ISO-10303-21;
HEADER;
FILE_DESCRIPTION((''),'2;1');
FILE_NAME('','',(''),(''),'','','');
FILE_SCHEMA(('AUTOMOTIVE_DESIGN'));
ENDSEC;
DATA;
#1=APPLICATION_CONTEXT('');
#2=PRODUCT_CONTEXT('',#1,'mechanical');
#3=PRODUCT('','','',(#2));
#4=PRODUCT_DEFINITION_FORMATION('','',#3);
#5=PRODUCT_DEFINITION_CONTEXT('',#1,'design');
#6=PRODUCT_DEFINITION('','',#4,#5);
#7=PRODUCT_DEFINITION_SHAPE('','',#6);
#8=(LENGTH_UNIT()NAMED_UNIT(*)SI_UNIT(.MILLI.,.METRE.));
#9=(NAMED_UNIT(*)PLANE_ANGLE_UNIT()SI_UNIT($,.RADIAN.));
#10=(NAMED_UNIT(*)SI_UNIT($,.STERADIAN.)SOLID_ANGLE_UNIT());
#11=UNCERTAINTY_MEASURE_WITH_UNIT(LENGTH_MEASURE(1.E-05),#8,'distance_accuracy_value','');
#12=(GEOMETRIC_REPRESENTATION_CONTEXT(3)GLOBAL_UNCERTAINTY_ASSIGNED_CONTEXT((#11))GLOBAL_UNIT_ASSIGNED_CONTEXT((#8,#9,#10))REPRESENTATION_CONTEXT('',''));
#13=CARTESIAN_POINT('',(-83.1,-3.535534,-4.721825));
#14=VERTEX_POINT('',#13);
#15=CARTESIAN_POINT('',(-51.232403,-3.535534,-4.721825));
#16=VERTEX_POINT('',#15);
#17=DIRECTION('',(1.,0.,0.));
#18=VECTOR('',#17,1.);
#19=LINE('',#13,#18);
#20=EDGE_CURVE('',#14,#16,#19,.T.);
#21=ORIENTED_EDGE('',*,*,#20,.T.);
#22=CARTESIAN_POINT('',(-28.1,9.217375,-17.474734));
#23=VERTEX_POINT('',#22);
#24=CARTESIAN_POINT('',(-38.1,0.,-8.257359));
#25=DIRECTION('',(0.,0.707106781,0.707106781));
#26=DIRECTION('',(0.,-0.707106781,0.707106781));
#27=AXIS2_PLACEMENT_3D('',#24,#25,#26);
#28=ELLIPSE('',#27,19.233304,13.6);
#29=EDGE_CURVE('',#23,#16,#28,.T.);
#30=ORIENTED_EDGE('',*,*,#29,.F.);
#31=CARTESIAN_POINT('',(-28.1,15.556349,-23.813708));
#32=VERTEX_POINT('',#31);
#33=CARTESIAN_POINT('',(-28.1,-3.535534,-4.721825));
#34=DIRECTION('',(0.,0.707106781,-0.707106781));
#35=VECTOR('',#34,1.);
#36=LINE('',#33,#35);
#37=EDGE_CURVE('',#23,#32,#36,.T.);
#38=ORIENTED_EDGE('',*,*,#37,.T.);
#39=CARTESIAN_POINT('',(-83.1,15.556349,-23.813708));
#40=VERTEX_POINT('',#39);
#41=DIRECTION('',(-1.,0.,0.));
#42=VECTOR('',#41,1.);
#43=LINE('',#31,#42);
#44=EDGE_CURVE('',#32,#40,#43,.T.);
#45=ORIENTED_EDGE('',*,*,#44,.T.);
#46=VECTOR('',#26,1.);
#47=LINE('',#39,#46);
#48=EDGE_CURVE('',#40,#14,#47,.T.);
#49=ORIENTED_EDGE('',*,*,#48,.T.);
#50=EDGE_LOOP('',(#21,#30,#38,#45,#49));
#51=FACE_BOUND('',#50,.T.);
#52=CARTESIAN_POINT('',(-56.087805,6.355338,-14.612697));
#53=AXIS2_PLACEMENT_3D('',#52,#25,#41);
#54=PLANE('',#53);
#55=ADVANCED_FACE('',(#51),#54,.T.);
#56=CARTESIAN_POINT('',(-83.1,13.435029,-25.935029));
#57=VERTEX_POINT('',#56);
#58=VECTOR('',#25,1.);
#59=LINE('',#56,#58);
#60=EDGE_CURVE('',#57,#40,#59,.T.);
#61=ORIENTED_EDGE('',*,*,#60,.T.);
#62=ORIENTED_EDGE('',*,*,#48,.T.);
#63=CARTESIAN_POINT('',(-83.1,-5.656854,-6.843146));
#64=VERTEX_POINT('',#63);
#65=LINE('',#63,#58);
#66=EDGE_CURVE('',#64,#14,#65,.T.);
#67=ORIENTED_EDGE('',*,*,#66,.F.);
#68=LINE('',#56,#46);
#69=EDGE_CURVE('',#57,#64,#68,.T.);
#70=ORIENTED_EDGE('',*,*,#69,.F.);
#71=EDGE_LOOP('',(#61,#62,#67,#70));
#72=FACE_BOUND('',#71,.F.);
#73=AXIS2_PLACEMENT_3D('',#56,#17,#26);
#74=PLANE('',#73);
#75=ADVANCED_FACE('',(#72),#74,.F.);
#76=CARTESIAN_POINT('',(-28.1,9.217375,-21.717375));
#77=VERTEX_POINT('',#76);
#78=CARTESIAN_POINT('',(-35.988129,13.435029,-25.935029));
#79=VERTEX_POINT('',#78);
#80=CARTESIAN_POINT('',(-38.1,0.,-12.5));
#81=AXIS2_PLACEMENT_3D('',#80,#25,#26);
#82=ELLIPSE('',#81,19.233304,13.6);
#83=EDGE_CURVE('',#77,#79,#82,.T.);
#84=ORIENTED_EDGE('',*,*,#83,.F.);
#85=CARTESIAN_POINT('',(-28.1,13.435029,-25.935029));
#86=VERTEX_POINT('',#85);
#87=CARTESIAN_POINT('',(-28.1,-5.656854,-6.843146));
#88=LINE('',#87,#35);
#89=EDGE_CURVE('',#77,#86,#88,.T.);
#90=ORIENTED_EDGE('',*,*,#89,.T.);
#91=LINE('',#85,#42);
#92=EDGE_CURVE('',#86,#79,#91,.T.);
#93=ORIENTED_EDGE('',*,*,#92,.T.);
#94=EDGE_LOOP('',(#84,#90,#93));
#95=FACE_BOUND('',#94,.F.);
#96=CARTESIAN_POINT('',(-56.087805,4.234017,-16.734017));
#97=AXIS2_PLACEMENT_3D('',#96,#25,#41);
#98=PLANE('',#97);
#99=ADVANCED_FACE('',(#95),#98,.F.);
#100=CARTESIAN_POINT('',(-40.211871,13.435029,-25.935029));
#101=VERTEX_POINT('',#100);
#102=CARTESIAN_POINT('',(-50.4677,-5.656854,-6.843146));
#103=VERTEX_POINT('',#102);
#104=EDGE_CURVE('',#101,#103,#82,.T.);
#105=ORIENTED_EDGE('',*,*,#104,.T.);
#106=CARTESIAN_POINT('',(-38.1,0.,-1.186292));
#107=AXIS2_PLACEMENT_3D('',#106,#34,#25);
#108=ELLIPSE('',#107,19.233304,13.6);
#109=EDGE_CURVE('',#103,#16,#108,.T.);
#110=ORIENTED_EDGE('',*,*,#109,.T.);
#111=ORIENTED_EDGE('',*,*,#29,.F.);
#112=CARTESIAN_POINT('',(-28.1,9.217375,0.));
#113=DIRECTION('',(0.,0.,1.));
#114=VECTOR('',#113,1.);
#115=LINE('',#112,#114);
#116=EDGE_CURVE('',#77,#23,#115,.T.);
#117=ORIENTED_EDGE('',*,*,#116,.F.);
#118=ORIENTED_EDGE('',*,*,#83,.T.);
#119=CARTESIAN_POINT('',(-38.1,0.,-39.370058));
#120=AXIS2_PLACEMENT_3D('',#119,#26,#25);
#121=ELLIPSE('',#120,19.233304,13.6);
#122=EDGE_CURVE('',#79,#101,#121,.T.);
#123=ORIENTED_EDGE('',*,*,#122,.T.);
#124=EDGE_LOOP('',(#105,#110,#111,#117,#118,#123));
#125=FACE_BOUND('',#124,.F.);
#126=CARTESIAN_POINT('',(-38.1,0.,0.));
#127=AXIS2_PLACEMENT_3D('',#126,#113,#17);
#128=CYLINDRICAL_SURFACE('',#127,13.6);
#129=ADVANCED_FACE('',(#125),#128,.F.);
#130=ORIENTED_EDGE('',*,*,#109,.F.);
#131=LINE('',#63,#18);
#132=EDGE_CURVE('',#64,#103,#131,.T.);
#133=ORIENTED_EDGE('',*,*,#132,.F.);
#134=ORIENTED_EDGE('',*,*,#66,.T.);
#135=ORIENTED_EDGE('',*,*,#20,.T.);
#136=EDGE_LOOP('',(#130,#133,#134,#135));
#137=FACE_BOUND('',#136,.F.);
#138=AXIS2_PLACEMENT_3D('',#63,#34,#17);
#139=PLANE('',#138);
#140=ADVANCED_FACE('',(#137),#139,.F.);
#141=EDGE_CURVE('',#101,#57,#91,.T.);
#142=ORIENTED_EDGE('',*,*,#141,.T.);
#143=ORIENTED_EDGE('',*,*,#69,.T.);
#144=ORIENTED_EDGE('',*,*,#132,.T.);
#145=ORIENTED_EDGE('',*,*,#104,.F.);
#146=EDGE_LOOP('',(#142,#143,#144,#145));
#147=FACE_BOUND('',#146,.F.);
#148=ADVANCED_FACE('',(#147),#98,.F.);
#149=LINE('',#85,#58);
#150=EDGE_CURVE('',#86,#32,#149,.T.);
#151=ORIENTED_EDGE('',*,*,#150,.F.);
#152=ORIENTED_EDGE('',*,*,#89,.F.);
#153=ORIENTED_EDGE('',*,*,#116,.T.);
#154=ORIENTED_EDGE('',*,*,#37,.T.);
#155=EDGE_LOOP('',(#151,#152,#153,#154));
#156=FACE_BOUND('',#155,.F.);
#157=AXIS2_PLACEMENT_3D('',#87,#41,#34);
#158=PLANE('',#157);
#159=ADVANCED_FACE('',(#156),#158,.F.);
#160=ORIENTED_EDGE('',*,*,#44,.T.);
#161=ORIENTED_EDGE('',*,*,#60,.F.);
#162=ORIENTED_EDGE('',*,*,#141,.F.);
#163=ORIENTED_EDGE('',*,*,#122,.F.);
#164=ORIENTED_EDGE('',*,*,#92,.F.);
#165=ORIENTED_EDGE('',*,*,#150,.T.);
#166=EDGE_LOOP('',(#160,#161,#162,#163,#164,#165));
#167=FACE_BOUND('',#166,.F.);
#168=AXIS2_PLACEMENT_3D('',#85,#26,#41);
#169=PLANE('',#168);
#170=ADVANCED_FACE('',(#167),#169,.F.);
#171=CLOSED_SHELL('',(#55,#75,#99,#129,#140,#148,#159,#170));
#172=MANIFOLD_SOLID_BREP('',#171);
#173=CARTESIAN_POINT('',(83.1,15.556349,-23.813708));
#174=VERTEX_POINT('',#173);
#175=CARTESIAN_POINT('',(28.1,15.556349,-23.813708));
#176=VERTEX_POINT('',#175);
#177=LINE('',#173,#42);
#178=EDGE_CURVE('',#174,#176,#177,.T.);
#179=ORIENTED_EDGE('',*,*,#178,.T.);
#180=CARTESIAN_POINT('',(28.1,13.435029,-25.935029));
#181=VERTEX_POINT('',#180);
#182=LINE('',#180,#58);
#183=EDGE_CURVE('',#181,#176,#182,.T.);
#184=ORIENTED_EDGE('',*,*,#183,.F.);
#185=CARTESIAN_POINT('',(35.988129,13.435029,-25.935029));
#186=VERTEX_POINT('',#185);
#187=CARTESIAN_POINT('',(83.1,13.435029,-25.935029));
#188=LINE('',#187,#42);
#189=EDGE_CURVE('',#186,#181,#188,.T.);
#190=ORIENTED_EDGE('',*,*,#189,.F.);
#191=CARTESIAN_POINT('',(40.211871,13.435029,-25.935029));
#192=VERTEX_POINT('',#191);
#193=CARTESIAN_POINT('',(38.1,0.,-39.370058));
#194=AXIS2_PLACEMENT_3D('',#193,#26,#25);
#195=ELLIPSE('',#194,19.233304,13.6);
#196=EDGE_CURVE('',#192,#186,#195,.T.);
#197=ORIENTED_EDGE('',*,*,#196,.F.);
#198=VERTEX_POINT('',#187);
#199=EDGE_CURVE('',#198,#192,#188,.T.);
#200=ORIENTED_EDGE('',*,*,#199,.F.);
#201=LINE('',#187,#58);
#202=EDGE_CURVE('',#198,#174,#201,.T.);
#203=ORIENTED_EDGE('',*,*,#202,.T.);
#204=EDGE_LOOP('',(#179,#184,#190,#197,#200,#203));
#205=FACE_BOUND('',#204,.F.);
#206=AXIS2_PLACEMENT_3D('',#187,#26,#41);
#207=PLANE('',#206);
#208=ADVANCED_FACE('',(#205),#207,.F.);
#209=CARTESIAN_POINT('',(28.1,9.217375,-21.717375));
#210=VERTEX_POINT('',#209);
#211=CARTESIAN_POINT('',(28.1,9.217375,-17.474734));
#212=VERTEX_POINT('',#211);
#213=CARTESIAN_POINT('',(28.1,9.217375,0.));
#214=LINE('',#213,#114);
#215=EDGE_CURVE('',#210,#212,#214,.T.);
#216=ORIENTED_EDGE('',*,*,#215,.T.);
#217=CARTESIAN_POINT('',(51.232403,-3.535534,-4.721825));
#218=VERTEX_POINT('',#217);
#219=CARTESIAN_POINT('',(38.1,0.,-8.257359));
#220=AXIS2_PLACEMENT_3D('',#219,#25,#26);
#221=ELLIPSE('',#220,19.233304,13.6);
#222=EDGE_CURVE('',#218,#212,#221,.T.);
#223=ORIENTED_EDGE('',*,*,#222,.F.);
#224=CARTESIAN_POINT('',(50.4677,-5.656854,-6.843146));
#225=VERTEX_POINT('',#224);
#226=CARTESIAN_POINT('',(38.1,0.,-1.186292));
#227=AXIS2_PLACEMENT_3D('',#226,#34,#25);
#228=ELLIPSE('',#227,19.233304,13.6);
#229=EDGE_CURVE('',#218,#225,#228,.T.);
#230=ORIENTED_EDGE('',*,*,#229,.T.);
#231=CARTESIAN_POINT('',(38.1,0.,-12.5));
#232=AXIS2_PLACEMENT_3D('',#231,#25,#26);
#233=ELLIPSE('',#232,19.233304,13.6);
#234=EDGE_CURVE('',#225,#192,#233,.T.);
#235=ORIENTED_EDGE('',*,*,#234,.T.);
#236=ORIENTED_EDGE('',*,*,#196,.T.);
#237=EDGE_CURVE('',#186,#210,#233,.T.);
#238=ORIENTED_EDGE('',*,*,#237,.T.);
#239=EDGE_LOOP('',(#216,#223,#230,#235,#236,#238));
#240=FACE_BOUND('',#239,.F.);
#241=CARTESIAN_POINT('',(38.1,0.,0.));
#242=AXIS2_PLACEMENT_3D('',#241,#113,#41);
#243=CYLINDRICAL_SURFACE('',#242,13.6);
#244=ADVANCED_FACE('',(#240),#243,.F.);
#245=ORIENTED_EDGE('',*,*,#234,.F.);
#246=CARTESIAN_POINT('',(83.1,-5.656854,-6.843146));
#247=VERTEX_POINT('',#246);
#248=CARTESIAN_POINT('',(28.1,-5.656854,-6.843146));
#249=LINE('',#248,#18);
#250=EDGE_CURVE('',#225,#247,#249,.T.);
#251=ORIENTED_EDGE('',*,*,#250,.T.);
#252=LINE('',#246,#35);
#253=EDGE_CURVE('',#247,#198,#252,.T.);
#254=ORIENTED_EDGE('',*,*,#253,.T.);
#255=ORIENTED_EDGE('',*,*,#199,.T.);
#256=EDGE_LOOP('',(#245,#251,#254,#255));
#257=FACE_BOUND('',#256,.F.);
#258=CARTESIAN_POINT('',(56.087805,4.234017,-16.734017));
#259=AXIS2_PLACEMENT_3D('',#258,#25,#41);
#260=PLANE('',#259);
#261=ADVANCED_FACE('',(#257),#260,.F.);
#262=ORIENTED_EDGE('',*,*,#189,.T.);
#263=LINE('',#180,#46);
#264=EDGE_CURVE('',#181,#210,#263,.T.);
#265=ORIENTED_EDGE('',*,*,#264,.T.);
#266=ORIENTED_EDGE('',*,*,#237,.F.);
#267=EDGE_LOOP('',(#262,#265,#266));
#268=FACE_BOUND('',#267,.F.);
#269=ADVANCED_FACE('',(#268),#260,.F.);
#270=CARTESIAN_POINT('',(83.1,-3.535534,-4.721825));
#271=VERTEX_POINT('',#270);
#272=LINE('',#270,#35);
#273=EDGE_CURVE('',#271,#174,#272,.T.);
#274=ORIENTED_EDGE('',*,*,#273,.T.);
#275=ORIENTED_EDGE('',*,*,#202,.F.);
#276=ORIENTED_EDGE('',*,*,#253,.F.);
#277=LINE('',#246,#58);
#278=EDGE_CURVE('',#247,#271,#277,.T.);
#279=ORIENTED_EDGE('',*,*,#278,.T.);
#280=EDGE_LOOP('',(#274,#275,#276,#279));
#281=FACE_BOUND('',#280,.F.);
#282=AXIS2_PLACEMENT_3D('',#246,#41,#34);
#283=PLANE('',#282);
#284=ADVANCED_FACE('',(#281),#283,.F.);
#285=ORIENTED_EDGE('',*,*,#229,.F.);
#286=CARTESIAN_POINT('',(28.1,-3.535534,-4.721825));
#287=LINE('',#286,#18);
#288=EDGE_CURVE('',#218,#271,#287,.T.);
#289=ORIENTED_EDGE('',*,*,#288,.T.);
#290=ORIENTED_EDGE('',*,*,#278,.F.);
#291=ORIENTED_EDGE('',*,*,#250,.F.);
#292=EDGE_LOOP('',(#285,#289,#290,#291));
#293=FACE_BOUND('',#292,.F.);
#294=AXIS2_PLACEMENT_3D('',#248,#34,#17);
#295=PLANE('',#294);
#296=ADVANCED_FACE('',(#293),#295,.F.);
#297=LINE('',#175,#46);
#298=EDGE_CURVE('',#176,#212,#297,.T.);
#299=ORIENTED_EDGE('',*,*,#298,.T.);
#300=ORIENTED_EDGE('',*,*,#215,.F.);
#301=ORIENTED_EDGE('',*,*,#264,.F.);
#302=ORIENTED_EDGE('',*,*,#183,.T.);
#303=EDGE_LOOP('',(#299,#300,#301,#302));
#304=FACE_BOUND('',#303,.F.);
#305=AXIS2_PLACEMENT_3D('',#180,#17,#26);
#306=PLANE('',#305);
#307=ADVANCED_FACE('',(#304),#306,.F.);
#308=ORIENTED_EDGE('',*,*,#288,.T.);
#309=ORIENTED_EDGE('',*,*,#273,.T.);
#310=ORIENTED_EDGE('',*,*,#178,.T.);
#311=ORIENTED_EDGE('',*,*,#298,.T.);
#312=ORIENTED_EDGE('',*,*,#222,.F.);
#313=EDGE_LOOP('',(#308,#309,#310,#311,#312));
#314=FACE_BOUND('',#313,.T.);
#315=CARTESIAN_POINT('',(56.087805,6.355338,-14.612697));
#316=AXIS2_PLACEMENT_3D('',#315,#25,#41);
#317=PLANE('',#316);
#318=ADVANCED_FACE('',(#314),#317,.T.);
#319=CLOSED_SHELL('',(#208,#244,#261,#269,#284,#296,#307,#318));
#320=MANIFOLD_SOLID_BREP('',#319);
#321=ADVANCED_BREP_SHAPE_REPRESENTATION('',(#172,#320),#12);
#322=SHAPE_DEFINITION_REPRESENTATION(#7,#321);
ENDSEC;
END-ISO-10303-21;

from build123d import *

# Parameters (mm, degrees)
F4_W     = 10
F4_H     = 8
F5_DEPTH = 3
F3_R     = 13.6
F6_DEPTH = 26


with BuildPart() as f5:
    # F4 (on face) → F5 (new body)
    with BuildSketch(Plane(origin=(0, -6.25, -6.25), x_dir=(-1, 0, 0), z_dir=(0, 0.7071067812, 0.7071067812))):
        Polygon((38.1, -0.8388347648), (38.1, -8.8388347648), (28.1, -8.8388347648), (28.1, -27.8388347648), (83.1, -27.8388347648), (83.1, -0.8388347648), align=None)
        with Locations((33.1, -4.8388347648)):
            Rectangle(F4_W, F4_H)
    extrude(amount=F5_DEPTH)


with BuildPart() as f5b:
    # F4 (on face) → F5, piece 2 (new body)
    with BuildSketch(Plane(origin=(0, -6.25, -6.25), x_dir=(-1, 0, 0), z_dir=(0, 0.7071067812, 0.7071067812))):
        Polygon((-28.1, -27.8388347648), (-28.1, -8.8388347648), (-38.1, -8.8388347648), (-38.1, -0.8388347648), (-83.1, -0.8388347648), (-83.1, -27.8388347648), align=None)
        with Locations((-33.1, -4.8388347648)):
            Rectangle(F4_W, F4_H)
    extrude(amount=F5_DEPTH)


with BuildPart() as f6_tool:
    # F3 (on Top) → F6 (new body)
    with BuildSketch(Plane.XY):
        with Locations((-38.1, 0)):
            Circle(F3_R)
        with BuildLine():
            ThreePointArc((51.7, 0), (38.1, 13.6), (24.5, 0))
            ThreePointArc((24.5, 0), (38.1, -13.6), (51.7, 0))
        make_face()
    extrude(amount=-F6_DEPTH)


with BuildPart() as f5_1:
    add(f5.part)

    # F6: cut by f6_tool
    add(f6_tool.part, mode=Mode.SUBTRACT)


with BuildPart() as f5b_1:
    add(f5b.part)

    # F6: cut by f6_tool
    add(f6_tool.part, mode=Mode.SUBTRACT)


solid = Compound([f5_1.part, f5b_1.part])
